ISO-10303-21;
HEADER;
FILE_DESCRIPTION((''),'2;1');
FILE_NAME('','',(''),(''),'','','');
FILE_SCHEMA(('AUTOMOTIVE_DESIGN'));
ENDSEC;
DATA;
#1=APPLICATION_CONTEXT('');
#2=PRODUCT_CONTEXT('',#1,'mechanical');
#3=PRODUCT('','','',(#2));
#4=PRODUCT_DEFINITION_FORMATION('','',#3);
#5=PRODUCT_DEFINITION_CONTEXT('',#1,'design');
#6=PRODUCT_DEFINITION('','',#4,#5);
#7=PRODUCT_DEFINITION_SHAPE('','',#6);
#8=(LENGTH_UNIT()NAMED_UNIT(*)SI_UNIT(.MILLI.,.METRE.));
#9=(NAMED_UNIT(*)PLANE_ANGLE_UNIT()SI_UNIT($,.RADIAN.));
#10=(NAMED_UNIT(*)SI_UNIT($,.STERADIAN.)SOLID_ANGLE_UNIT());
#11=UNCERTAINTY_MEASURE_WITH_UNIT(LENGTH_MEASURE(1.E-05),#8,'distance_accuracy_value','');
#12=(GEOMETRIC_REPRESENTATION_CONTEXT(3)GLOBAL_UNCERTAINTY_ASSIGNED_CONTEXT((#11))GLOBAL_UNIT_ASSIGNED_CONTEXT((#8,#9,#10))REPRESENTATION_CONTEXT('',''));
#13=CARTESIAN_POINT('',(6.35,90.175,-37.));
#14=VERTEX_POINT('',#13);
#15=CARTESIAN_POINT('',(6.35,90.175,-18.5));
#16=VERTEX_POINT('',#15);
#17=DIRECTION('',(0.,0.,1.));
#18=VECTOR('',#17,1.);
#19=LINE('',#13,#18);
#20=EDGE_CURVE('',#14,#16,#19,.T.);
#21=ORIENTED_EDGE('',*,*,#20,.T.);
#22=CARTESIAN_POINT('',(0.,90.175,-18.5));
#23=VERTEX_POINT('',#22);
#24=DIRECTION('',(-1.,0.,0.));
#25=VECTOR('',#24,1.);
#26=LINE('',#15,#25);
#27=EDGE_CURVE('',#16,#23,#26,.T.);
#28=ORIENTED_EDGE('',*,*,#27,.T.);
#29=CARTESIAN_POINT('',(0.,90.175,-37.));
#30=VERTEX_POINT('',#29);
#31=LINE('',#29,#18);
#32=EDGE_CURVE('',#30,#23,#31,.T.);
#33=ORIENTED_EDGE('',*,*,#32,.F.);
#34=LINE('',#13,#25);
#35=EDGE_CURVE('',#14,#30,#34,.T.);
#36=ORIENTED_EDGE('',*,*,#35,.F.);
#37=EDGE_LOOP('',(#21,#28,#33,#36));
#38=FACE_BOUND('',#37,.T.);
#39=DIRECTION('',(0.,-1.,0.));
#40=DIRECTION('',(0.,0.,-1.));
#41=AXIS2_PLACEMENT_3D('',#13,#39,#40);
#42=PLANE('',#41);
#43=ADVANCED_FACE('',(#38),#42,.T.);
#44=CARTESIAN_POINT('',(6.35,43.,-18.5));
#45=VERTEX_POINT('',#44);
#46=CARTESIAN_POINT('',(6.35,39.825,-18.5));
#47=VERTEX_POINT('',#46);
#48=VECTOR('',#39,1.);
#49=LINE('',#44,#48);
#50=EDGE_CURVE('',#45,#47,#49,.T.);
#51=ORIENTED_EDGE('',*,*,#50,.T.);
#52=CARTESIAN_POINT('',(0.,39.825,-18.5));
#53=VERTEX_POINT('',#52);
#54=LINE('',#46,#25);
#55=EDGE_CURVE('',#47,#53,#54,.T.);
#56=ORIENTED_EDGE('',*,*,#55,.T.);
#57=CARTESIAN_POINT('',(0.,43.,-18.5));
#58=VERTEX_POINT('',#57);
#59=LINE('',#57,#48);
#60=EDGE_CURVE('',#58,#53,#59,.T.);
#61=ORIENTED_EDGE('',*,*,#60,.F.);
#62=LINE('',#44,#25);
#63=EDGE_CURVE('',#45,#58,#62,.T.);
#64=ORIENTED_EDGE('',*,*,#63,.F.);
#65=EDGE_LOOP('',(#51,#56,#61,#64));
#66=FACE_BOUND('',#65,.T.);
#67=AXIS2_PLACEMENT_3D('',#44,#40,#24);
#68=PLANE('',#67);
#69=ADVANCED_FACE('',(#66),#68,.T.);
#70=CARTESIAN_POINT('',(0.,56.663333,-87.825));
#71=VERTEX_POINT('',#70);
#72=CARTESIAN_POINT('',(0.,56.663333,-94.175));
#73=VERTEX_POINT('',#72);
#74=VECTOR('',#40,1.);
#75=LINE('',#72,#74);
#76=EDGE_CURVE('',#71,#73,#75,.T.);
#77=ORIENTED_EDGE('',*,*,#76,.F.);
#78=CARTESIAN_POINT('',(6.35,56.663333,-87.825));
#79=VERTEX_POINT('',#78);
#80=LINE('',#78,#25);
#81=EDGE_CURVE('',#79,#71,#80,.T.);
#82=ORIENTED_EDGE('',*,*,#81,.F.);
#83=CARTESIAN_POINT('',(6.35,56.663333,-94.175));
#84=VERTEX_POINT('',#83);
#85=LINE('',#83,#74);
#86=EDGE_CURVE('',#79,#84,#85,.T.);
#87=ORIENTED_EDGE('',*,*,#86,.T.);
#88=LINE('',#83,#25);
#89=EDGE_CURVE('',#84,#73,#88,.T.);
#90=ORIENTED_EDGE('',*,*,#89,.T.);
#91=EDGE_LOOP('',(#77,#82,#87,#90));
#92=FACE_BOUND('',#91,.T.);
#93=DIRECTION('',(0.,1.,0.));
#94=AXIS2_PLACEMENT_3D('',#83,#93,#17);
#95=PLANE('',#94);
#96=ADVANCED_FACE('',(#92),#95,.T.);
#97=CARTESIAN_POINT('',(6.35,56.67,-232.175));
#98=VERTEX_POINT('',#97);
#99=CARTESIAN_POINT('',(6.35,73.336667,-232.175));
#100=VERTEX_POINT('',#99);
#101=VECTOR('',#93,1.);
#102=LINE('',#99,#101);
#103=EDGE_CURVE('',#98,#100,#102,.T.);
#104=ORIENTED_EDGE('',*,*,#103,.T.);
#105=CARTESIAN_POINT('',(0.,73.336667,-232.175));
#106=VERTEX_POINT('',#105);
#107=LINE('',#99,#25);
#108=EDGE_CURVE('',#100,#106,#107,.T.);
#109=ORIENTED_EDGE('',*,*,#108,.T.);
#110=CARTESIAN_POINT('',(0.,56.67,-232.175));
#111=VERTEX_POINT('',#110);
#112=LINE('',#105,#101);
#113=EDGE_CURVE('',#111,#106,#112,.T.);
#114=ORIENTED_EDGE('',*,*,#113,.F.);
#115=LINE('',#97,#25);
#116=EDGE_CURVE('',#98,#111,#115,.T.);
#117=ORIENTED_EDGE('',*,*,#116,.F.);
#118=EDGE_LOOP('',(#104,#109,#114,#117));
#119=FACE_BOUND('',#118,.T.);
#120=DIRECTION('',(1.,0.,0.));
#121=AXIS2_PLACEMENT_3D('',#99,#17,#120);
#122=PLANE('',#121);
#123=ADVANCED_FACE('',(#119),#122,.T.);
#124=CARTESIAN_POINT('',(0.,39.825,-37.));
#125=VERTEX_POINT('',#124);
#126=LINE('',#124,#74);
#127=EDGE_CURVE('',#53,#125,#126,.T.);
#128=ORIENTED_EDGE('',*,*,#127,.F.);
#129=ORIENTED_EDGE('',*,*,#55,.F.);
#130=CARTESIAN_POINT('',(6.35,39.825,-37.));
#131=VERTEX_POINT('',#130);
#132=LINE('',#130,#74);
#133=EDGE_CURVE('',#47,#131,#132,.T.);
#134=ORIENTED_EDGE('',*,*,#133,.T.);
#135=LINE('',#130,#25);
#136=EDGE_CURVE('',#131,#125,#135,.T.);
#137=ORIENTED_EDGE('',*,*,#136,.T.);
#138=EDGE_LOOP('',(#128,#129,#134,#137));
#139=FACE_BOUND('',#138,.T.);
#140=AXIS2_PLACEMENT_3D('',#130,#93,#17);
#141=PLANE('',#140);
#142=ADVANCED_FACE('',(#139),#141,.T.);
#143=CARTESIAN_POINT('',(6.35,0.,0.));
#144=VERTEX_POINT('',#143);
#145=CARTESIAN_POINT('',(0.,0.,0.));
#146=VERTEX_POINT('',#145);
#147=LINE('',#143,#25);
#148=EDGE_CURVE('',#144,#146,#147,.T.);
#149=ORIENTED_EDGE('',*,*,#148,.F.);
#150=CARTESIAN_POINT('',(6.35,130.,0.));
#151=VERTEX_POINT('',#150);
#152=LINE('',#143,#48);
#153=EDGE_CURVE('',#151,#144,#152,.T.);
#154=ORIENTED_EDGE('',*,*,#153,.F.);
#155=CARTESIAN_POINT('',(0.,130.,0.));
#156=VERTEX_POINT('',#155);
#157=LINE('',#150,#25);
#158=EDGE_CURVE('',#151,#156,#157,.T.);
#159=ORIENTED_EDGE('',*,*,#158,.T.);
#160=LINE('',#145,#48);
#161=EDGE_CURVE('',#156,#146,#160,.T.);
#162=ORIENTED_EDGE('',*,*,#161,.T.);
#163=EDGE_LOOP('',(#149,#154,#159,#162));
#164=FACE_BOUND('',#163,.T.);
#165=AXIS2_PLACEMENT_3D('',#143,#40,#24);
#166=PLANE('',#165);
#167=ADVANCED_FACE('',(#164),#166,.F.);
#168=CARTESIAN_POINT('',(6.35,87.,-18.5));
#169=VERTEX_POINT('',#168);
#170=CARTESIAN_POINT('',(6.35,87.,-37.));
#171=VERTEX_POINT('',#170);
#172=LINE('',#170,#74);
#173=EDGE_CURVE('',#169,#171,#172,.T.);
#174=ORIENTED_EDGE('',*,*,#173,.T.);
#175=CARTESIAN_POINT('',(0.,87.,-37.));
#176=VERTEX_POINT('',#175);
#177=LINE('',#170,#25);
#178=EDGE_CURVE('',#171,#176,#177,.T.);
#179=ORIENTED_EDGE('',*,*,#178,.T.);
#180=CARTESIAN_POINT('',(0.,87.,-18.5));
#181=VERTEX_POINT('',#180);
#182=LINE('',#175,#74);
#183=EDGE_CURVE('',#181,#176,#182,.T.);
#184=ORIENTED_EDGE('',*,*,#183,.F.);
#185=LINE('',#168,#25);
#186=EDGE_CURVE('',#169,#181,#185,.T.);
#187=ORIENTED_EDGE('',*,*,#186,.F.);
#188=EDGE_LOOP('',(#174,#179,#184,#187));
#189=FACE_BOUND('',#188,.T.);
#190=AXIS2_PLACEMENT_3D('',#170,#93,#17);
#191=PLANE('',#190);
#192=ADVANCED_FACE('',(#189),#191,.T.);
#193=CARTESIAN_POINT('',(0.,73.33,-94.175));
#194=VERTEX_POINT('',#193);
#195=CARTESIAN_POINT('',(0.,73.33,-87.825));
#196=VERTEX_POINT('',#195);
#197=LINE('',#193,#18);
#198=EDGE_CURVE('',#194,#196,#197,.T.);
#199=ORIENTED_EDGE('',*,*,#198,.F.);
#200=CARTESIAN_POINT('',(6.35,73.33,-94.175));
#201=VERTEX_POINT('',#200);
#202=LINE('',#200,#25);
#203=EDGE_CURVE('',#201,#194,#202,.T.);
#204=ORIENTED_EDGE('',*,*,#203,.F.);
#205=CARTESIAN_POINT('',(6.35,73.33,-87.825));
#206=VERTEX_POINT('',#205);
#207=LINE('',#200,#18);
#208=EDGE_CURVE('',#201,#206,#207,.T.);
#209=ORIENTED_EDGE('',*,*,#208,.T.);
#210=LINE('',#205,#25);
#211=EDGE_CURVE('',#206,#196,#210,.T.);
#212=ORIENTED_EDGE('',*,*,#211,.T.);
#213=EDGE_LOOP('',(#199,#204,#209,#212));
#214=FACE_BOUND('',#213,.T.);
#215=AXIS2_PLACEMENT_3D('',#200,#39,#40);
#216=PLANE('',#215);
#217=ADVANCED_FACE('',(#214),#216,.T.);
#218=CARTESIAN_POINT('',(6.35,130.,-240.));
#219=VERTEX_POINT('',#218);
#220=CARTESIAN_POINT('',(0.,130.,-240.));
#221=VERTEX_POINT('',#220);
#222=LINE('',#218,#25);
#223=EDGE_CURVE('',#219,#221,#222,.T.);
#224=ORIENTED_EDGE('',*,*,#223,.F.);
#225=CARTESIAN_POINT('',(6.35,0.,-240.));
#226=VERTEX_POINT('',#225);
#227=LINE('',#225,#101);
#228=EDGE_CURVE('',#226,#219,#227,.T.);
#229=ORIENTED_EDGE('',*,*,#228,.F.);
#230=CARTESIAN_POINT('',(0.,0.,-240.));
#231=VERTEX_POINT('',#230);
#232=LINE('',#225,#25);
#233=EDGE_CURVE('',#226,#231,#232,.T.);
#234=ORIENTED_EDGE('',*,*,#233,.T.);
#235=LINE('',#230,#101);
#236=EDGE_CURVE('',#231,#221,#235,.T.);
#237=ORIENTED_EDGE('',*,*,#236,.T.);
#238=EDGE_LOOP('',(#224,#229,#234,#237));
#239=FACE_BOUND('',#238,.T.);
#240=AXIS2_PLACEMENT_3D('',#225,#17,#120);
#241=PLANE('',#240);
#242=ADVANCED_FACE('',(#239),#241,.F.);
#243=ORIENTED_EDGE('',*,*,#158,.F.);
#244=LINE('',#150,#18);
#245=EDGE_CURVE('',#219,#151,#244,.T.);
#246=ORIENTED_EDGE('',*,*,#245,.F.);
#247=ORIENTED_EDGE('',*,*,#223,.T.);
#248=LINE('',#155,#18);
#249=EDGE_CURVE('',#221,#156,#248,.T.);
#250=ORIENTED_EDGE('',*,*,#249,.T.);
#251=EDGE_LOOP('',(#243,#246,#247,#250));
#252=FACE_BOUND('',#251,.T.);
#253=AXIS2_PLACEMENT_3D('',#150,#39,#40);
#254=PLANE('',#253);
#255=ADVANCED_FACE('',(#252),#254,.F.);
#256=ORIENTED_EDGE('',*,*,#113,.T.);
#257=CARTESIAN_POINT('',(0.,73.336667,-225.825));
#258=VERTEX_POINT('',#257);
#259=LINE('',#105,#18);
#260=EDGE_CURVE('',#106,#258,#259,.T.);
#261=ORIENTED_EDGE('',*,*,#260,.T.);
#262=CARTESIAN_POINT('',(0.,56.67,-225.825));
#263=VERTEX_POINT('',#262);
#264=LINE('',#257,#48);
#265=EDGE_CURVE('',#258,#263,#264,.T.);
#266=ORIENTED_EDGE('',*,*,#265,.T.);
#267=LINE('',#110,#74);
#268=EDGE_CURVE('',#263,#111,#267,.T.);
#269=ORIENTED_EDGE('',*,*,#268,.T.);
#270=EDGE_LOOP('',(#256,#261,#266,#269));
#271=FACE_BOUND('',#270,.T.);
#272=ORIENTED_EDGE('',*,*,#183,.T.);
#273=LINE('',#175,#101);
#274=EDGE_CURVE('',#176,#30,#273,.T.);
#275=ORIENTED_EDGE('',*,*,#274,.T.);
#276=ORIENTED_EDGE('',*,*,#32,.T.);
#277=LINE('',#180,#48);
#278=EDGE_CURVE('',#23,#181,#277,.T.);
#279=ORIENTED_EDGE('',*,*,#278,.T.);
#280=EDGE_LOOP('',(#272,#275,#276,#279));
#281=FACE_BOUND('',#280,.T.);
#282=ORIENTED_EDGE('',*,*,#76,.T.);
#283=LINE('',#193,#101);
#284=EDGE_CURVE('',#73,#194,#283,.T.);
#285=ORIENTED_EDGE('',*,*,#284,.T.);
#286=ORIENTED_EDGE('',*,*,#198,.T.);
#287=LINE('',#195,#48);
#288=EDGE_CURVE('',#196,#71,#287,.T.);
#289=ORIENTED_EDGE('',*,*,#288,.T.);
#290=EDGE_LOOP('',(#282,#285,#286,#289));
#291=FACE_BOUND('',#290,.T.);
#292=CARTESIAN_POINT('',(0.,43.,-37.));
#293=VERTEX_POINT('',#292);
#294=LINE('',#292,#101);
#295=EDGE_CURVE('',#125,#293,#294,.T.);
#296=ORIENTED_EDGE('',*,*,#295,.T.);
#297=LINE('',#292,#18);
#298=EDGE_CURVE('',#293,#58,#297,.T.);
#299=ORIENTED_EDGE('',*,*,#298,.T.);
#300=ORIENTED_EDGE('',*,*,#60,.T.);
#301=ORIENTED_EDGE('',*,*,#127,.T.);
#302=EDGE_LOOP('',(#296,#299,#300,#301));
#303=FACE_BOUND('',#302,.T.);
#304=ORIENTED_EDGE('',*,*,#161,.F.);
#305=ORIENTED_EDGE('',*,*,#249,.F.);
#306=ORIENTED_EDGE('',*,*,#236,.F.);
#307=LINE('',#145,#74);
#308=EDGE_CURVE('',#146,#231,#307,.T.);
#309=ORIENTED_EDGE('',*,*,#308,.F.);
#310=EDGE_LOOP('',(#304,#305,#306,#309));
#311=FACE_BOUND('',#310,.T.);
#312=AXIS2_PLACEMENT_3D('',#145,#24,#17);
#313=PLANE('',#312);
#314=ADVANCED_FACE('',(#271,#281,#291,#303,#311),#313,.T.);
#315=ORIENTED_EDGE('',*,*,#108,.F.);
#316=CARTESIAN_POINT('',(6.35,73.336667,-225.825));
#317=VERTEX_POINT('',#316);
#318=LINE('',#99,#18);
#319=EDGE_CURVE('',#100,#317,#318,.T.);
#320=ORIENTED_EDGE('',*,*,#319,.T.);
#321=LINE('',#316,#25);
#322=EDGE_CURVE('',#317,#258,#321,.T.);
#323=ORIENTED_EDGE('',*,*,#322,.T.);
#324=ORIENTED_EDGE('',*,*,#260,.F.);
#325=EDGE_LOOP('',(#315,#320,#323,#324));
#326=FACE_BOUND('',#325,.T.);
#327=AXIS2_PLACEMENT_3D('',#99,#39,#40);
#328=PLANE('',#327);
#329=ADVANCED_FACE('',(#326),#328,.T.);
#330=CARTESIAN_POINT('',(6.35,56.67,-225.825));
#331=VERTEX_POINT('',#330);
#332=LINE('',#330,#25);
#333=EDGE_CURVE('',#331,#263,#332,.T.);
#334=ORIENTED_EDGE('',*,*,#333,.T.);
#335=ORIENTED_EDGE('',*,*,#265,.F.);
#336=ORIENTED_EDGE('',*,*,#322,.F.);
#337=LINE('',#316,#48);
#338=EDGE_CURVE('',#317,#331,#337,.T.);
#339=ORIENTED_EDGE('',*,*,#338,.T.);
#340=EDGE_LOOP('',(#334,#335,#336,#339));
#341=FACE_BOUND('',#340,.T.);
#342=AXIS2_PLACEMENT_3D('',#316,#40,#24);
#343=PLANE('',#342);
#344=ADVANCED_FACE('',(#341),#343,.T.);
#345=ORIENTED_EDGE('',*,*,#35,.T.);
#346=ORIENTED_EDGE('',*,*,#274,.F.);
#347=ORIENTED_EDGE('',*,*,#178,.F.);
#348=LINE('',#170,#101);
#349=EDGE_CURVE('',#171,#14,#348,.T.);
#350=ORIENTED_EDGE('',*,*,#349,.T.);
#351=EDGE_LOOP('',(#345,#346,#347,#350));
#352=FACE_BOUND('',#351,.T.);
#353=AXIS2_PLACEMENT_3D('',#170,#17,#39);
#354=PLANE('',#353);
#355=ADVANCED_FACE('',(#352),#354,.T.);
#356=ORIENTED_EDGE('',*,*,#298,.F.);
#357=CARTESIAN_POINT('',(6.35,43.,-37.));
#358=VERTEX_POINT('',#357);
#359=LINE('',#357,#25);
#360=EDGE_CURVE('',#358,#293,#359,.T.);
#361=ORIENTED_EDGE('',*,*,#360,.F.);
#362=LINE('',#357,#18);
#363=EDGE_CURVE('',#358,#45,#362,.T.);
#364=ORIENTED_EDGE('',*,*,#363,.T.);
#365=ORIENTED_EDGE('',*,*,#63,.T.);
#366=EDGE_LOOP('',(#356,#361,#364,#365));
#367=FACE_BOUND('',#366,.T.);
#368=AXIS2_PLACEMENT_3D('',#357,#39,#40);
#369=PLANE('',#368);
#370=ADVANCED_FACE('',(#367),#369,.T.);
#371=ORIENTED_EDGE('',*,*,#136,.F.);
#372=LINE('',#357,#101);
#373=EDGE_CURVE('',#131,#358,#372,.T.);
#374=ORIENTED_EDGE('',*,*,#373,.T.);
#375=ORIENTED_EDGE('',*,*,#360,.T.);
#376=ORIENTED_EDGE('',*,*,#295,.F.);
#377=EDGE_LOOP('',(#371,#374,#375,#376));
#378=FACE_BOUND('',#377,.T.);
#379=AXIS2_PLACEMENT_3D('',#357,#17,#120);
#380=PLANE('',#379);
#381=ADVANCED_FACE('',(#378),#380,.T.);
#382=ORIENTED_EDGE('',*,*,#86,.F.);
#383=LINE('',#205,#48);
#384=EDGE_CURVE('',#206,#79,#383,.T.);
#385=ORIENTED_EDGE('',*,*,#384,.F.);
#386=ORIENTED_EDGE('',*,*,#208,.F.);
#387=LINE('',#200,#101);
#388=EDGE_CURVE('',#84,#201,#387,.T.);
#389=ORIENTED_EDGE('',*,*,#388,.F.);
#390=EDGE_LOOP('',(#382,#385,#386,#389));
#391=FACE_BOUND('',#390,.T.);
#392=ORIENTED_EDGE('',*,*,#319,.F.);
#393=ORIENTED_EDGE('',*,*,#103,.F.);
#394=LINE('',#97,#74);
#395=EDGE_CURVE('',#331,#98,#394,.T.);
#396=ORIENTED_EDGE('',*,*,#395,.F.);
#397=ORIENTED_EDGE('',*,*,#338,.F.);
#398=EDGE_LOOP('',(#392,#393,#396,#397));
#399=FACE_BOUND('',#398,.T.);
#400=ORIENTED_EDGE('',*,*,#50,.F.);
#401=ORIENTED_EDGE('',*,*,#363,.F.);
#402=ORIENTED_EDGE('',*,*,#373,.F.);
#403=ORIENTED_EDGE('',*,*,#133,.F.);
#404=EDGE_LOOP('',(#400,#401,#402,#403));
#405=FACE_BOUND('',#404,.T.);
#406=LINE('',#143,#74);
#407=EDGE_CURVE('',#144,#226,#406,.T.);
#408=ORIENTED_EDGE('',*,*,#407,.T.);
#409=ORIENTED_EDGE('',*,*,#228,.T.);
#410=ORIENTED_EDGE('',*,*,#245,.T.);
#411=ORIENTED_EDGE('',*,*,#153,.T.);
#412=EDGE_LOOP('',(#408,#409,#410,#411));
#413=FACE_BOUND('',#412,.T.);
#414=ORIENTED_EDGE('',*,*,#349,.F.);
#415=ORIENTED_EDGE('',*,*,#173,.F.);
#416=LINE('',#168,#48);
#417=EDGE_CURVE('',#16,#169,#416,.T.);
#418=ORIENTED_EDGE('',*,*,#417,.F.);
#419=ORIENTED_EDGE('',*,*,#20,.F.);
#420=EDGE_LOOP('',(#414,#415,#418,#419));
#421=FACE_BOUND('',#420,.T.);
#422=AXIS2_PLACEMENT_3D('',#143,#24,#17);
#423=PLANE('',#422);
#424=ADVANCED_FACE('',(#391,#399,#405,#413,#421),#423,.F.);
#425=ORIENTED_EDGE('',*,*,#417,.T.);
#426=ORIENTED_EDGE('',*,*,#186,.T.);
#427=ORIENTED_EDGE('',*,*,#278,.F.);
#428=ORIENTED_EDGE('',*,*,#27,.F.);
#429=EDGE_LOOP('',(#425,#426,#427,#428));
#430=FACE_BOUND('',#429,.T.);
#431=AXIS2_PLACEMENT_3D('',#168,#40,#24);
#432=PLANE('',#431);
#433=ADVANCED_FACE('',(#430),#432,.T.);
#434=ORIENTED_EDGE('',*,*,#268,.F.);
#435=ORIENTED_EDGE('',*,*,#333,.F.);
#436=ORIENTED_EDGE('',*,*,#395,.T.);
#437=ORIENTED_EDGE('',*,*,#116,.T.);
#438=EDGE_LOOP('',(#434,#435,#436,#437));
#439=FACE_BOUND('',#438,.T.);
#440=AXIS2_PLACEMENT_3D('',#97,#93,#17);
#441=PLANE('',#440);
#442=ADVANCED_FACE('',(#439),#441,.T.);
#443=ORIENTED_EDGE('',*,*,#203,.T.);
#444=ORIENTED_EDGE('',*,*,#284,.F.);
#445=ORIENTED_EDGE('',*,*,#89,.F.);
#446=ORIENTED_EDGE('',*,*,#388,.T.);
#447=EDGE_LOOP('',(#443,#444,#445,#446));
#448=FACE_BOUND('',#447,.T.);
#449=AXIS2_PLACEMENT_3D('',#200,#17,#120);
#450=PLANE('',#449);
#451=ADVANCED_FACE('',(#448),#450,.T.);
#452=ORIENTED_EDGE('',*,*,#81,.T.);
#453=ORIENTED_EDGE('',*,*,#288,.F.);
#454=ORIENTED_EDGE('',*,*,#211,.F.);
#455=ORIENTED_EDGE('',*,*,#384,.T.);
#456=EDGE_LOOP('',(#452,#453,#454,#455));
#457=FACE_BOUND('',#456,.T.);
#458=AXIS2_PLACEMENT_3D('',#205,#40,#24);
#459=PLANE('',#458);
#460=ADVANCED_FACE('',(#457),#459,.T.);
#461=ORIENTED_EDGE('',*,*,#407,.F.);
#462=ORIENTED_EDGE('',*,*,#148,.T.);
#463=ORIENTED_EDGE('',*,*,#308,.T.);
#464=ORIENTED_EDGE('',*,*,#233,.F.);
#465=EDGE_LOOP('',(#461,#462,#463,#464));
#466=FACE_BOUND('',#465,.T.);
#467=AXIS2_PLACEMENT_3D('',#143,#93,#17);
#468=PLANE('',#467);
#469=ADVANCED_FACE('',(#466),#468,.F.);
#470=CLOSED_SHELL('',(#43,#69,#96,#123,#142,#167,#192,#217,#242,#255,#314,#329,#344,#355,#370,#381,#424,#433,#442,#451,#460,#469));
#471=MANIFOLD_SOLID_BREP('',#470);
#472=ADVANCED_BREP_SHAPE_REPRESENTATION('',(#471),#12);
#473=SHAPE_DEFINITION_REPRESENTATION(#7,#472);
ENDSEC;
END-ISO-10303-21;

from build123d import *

# Parameters (mm, degrees)
SKETCH1_W           = 240
SKETCH1_H           = 130
SKETCH1_W_2         = 6.35
SKETCH1_H_2         = 16.666666667
SKETCH1_W_3         = 18.5
SKETCH1_H_3         = 3.175
BOSS_EXTRUDE1_DEPTH = 6.35


with BuildPart() as part:
    # Sketch1 → Boss-Extrude1 (new body)
    with BuildSketch(Plane(origin=(0, 0, 0), x_dir=(0, 0, -1), z_dir=(1, 0, 0))):
        with Locations((120, 65)):
            Rectangle(SKETCH1_W, SKETCH1_H)
        with Locations((91, 64.996666667)):
            Rectangle(SKETCH1_W_2, SKETCH1_H_2, mode=Mode.SUBTRACT)
        with Locations((229, 65.003333333)):
            Rectangle(SKETCH1_W_2, SKETCH1_H_2, mode=Mode.SUBTRACT)
        with Locations((27.75, 88.5875)):
            Rectangle(SKETCH1_W_3, SKETCH1_H_3, mode=Mode.SUBTRACT)
        with Locations((27.75, 41.4125)):
            Rectangle(SKETCH1_W_3, SKETCH1_H_3, mode=Mode.SUBTRACT)
    extrude(amount=BOSS_EXTRUDE1_DEPTH)


solid = part.part
